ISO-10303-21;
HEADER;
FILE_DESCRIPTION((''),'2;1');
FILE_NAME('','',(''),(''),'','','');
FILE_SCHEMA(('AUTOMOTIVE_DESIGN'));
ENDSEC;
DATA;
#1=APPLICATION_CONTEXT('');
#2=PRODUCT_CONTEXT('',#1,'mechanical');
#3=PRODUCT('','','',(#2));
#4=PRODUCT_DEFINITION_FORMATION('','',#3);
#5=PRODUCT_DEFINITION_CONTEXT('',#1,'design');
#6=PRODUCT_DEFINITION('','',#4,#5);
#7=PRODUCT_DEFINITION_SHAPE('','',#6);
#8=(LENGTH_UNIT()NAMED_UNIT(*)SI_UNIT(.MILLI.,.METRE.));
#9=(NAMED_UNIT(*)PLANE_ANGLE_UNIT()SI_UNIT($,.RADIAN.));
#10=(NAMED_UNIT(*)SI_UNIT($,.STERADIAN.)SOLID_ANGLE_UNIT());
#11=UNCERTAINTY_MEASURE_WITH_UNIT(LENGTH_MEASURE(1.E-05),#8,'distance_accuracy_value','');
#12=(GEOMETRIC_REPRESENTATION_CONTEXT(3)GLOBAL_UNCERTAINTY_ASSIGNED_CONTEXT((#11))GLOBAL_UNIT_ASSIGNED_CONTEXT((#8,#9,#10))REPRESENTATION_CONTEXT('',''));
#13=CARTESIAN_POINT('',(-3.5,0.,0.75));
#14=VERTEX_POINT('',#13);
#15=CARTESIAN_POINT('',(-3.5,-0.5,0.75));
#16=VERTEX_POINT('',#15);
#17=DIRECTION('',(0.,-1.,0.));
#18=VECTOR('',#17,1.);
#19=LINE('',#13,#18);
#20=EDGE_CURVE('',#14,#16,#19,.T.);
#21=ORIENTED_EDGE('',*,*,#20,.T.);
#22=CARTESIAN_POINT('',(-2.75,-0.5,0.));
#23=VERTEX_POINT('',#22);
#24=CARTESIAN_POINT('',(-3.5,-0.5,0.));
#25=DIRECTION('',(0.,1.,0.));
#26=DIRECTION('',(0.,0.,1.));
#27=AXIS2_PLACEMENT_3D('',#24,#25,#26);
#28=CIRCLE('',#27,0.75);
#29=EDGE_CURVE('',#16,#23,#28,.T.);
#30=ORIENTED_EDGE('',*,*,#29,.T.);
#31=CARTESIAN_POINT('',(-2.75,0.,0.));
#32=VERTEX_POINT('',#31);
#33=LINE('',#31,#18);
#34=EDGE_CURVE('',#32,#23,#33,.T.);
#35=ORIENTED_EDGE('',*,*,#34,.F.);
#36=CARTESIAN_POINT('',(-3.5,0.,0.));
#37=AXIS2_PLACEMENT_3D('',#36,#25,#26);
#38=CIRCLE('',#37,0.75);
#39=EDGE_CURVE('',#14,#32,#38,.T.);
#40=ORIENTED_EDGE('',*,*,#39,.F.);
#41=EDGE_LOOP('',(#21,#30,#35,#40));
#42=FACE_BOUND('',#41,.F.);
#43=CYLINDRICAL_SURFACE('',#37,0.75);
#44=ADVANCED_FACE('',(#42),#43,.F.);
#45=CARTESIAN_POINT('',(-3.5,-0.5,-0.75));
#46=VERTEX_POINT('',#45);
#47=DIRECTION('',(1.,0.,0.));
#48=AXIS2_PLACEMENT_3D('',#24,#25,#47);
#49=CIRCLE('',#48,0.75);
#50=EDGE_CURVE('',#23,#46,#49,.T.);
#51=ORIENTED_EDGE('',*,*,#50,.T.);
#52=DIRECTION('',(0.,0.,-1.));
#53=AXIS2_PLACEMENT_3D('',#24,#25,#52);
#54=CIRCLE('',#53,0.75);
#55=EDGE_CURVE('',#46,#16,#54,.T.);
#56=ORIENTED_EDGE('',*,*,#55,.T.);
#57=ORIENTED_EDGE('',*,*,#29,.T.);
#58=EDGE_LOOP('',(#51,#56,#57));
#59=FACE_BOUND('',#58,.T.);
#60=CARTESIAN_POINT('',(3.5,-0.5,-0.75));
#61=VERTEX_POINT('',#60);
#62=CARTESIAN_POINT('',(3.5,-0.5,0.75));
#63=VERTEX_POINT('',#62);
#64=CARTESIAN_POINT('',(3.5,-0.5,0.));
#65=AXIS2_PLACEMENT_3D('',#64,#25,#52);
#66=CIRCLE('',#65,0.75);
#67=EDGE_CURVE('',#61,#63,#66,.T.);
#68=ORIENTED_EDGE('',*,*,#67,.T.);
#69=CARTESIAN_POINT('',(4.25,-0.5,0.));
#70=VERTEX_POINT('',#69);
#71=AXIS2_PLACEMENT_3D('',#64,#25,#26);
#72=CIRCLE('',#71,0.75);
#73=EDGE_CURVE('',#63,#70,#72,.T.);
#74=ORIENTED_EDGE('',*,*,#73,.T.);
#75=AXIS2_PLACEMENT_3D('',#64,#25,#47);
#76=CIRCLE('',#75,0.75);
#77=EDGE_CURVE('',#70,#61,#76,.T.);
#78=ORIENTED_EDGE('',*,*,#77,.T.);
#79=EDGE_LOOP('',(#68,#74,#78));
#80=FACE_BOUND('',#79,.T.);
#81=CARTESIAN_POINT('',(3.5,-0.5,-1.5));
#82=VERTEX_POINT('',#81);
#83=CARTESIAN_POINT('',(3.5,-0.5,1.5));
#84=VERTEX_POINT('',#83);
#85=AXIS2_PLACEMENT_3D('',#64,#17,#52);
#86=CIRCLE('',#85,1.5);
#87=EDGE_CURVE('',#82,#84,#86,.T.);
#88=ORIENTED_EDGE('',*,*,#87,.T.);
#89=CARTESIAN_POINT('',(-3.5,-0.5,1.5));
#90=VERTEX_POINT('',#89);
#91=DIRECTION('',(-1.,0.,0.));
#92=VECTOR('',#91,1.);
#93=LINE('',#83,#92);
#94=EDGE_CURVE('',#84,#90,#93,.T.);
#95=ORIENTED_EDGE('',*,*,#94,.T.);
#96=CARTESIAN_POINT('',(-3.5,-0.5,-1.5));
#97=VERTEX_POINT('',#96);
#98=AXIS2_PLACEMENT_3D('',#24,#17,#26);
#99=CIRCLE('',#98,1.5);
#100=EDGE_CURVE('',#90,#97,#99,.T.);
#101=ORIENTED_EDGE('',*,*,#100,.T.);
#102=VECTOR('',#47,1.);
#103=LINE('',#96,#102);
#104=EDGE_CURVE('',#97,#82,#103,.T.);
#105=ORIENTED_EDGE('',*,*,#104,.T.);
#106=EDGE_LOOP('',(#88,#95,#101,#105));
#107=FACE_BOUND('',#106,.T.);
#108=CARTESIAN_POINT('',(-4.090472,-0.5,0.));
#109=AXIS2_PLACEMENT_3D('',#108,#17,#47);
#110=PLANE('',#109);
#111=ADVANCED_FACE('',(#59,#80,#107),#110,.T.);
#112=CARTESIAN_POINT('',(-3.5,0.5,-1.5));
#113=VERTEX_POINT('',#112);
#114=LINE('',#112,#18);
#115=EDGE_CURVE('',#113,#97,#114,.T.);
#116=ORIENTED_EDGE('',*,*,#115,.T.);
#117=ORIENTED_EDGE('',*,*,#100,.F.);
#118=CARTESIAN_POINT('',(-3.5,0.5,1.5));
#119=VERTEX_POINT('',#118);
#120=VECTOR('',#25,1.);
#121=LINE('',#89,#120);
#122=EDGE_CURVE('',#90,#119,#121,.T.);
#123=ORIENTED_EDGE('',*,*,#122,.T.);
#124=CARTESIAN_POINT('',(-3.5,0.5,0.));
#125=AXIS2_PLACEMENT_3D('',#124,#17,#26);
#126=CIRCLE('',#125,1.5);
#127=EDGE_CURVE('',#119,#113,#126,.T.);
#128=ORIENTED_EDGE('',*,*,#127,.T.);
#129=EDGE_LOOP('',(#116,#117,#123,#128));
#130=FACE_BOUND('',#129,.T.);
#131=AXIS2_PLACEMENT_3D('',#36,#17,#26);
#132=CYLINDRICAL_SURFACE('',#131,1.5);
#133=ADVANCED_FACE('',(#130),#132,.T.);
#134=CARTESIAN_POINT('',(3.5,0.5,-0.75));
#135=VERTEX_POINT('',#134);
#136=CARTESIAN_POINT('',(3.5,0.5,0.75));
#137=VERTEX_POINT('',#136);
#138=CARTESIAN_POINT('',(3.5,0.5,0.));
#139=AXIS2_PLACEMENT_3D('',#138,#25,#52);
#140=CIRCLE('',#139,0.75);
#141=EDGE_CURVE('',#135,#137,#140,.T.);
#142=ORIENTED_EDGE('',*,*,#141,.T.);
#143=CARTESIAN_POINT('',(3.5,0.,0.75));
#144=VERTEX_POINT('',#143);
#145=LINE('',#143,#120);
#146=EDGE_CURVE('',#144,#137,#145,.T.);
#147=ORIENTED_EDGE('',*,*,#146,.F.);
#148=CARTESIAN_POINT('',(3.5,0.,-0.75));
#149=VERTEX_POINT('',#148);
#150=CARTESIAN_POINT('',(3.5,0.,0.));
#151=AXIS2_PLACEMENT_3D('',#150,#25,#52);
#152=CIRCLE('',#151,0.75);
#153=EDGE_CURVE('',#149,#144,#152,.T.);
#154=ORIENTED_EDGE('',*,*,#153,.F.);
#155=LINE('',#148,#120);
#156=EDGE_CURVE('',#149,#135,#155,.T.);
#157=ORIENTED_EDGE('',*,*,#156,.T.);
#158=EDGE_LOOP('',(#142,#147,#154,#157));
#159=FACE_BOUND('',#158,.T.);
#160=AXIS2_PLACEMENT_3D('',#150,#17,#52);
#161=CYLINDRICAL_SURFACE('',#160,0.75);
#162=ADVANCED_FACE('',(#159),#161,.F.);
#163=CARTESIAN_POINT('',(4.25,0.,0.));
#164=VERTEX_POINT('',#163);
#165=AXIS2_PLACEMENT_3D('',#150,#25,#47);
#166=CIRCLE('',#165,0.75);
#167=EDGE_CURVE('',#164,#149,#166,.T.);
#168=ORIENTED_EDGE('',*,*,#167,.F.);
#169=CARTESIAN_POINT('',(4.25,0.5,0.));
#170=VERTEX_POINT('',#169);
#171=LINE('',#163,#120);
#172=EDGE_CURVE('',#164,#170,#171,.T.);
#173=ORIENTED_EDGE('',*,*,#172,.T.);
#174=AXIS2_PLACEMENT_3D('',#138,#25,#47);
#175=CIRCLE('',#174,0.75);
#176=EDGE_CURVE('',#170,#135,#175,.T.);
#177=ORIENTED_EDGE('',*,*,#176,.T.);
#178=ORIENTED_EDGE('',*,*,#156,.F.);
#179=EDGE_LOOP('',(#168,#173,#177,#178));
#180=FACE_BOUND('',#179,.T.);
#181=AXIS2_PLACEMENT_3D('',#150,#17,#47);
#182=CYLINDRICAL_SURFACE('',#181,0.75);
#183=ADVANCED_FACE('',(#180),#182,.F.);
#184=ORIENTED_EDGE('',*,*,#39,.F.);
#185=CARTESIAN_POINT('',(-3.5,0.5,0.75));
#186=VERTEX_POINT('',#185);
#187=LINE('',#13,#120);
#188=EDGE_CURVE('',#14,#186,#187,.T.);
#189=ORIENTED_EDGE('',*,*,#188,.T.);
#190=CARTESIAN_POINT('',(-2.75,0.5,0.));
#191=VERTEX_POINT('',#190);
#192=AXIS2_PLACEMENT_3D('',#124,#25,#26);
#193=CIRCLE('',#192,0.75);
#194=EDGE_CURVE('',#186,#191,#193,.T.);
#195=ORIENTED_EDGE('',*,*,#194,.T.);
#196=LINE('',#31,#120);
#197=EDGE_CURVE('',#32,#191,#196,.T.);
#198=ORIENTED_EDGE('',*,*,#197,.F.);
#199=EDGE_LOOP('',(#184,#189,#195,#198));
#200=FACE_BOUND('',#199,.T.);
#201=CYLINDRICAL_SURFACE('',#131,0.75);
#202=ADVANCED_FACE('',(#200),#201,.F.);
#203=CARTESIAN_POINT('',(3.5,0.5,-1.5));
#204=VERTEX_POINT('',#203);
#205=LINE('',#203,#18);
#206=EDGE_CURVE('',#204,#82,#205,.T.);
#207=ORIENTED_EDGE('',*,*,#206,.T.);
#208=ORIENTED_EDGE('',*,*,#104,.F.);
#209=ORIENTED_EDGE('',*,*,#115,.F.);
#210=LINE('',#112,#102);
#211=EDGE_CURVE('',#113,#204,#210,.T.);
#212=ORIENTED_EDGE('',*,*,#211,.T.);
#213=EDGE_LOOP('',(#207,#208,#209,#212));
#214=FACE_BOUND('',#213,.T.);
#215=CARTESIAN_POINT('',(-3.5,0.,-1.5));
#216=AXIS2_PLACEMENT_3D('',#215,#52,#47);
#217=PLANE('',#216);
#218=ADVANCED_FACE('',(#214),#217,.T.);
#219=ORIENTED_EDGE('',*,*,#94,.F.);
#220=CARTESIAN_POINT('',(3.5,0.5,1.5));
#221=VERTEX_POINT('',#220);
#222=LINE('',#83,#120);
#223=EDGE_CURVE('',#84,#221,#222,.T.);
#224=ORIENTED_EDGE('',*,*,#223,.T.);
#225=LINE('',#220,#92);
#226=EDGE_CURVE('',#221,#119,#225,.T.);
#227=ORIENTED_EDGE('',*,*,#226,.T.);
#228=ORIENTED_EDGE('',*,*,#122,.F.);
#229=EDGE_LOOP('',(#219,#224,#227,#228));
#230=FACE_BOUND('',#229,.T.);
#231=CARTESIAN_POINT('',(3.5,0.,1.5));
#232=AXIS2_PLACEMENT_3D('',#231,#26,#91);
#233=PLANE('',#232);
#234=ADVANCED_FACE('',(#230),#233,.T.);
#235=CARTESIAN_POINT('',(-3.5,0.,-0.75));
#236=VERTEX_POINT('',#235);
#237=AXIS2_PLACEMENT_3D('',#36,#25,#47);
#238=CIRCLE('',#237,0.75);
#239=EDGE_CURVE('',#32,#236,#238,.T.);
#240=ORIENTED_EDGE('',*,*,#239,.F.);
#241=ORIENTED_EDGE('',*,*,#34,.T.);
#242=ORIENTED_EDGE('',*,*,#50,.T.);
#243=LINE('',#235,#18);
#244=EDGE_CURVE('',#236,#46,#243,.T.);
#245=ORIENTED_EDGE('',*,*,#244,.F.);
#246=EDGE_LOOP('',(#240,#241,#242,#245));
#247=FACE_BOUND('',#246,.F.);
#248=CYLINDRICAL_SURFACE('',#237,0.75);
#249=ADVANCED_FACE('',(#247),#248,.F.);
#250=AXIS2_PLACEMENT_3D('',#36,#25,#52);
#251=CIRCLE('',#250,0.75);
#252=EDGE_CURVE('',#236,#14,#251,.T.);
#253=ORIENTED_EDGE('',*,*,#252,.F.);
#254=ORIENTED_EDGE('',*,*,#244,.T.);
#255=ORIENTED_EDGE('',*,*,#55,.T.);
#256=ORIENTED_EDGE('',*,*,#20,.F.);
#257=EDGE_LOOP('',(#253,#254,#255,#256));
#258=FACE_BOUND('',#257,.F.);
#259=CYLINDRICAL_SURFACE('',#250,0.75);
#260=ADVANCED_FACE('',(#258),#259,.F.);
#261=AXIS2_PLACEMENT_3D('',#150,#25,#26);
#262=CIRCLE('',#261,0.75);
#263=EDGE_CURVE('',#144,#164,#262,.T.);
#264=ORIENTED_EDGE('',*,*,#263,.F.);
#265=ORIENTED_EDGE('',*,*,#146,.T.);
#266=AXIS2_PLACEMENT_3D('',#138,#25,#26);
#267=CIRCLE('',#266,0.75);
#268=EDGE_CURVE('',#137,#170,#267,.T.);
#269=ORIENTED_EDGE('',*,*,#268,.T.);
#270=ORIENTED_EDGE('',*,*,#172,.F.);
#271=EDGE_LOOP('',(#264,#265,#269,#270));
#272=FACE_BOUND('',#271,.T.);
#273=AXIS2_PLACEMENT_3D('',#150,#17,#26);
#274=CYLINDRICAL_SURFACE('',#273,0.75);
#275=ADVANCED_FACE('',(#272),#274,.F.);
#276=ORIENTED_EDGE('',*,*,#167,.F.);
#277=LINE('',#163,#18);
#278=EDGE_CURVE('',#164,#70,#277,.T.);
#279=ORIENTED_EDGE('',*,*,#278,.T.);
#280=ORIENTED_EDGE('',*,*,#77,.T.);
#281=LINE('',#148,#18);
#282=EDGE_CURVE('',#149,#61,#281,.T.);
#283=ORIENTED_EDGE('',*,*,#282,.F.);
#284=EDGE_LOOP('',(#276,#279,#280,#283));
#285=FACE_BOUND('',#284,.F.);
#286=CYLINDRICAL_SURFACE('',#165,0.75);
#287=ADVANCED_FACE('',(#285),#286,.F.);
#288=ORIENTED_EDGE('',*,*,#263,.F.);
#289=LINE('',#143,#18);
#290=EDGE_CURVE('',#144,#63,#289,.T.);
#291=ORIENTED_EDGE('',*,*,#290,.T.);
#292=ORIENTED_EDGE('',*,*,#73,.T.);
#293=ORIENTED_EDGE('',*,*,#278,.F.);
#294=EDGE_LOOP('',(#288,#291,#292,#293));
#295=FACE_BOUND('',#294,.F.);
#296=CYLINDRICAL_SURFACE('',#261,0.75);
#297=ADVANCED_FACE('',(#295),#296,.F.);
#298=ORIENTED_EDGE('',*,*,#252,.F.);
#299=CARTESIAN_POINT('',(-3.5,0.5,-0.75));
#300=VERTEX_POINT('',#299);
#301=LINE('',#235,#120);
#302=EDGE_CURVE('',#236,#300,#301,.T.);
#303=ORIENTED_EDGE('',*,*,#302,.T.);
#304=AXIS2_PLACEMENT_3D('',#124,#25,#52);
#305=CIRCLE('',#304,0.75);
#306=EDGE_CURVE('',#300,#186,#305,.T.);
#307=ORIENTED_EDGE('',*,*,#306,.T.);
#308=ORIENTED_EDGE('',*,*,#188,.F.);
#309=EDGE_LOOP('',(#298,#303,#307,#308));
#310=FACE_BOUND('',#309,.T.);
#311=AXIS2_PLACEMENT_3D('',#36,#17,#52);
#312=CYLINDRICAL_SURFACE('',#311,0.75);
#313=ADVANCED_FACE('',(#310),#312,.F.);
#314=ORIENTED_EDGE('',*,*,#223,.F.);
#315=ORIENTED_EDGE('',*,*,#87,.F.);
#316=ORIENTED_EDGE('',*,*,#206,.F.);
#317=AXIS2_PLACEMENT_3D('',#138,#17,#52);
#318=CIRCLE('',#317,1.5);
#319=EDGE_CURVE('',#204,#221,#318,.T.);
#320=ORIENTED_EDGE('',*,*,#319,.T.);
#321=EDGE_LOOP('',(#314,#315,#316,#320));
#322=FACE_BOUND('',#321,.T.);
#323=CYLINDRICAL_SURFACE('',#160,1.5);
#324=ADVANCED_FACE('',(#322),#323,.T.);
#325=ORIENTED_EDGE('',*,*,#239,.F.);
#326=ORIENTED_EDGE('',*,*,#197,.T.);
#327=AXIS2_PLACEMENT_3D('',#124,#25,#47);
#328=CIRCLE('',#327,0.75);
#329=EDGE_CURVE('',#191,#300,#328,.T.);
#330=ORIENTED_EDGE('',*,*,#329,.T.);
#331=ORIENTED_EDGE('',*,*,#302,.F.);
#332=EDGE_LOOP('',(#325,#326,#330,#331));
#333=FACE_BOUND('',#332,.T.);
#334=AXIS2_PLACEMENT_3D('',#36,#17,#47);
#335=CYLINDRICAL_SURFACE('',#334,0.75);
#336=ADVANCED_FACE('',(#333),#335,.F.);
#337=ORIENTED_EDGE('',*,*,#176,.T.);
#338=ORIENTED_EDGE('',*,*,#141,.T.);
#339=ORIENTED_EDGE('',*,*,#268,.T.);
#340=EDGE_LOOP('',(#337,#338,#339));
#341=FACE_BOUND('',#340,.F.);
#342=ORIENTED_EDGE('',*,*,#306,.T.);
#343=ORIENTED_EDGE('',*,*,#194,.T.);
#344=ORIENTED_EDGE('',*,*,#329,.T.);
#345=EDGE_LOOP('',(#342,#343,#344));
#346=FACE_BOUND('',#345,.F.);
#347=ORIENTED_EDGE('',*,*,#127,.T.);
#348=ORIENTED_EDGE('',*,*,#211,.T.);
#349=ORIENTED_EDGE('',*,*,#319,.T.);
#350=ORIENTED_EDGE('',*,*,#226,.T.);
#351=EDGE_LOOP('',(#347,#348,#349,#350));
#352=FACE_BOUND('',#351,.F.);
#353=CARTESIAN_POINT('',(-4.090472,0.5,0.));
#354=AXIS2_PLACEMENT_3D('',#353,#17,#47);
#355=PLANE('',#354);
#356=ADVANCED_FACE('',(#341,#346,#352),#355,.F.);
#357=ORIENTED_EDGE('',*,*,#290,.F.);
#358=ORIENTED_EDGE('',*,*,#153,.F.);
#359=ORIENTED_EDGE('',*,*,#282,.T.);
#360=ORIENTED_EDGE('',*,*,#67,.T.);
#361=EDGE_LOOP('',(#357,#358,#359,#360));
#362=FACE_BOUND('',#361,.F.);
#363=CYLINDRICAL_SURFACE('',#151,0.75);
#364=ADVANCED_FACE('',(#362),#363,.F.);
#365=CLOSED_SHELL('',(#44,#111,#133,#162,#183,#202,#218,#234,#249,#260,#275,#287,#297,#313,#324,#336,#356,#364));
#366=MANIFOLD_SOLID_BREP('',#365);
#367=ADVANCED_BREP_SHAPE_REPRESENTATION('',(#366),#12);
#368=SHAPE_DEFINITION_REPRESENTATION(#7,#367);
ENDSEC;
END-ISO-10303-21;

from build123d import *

# Parameters (mm, degrees)
F1_DEPTH = 0.5


with BuildPart() as f1:
    # F0 (on Front) → F1 (new body, symmetric)
    with BuildSketch(Plane.XZ):
        with BuildLine():
            Line((-3.5, 0.75), (-3.5, 1.5))
            ThreePointArc((-3.5, 1.5), (-5, 0), (-3.5, -1.5))
            Line((-3.5, -1.5), (-3.5, -0.75))
            ThreePointArc((-3.5, -0.75), (-4.25, 0), (-3.5, 0.75))
        make_face()
        with BuildLine():
            ThreePointArc((3.5, -1.5), (5, 0), (3.5, 1.5))
            Line((3.5, 1.5), (3.5, 0.75))
            ThreePointArc((3.5, 0.75), (4.0303300859, 0.5303300859), (4.25, 0))
            ThreePointArc((4.25, 0), (4.0303300859, -0.5303300859), (3.5, -0.75))
            Line((3.5, -0.75), (3.5, -1.5))
        make_face()
        with BuildLine():
            Line((3.5, 1.5), (-3.5, 1.5))
            Line((-3.5, 1.5), (-3.5, 0.75))
            ThreePointArc((-3.5, 0.75), (-2.9696699141, 0.5303300859), (-2.75, 0))
            ThreePointArc((-2.75, 0), (-2.9696699141, -0.5303300859), (-3.5, -0.75))
            Line((-3.5, -0.75), (-3.5, -1.5))
            Line((-3.5, -1.5), (3.5, -1.5))
            Line((3.5, -1.5), (3.5, -0.75))
            ThreePointArc((3.5, -0.75), (2.75, 0), (3.5, 0.75))
            Line((3.5, 0.75), (3.5, 1.5))
        make_face()
    extrude(amount=F1_DEPTH, both=True)


solid = f1.part
